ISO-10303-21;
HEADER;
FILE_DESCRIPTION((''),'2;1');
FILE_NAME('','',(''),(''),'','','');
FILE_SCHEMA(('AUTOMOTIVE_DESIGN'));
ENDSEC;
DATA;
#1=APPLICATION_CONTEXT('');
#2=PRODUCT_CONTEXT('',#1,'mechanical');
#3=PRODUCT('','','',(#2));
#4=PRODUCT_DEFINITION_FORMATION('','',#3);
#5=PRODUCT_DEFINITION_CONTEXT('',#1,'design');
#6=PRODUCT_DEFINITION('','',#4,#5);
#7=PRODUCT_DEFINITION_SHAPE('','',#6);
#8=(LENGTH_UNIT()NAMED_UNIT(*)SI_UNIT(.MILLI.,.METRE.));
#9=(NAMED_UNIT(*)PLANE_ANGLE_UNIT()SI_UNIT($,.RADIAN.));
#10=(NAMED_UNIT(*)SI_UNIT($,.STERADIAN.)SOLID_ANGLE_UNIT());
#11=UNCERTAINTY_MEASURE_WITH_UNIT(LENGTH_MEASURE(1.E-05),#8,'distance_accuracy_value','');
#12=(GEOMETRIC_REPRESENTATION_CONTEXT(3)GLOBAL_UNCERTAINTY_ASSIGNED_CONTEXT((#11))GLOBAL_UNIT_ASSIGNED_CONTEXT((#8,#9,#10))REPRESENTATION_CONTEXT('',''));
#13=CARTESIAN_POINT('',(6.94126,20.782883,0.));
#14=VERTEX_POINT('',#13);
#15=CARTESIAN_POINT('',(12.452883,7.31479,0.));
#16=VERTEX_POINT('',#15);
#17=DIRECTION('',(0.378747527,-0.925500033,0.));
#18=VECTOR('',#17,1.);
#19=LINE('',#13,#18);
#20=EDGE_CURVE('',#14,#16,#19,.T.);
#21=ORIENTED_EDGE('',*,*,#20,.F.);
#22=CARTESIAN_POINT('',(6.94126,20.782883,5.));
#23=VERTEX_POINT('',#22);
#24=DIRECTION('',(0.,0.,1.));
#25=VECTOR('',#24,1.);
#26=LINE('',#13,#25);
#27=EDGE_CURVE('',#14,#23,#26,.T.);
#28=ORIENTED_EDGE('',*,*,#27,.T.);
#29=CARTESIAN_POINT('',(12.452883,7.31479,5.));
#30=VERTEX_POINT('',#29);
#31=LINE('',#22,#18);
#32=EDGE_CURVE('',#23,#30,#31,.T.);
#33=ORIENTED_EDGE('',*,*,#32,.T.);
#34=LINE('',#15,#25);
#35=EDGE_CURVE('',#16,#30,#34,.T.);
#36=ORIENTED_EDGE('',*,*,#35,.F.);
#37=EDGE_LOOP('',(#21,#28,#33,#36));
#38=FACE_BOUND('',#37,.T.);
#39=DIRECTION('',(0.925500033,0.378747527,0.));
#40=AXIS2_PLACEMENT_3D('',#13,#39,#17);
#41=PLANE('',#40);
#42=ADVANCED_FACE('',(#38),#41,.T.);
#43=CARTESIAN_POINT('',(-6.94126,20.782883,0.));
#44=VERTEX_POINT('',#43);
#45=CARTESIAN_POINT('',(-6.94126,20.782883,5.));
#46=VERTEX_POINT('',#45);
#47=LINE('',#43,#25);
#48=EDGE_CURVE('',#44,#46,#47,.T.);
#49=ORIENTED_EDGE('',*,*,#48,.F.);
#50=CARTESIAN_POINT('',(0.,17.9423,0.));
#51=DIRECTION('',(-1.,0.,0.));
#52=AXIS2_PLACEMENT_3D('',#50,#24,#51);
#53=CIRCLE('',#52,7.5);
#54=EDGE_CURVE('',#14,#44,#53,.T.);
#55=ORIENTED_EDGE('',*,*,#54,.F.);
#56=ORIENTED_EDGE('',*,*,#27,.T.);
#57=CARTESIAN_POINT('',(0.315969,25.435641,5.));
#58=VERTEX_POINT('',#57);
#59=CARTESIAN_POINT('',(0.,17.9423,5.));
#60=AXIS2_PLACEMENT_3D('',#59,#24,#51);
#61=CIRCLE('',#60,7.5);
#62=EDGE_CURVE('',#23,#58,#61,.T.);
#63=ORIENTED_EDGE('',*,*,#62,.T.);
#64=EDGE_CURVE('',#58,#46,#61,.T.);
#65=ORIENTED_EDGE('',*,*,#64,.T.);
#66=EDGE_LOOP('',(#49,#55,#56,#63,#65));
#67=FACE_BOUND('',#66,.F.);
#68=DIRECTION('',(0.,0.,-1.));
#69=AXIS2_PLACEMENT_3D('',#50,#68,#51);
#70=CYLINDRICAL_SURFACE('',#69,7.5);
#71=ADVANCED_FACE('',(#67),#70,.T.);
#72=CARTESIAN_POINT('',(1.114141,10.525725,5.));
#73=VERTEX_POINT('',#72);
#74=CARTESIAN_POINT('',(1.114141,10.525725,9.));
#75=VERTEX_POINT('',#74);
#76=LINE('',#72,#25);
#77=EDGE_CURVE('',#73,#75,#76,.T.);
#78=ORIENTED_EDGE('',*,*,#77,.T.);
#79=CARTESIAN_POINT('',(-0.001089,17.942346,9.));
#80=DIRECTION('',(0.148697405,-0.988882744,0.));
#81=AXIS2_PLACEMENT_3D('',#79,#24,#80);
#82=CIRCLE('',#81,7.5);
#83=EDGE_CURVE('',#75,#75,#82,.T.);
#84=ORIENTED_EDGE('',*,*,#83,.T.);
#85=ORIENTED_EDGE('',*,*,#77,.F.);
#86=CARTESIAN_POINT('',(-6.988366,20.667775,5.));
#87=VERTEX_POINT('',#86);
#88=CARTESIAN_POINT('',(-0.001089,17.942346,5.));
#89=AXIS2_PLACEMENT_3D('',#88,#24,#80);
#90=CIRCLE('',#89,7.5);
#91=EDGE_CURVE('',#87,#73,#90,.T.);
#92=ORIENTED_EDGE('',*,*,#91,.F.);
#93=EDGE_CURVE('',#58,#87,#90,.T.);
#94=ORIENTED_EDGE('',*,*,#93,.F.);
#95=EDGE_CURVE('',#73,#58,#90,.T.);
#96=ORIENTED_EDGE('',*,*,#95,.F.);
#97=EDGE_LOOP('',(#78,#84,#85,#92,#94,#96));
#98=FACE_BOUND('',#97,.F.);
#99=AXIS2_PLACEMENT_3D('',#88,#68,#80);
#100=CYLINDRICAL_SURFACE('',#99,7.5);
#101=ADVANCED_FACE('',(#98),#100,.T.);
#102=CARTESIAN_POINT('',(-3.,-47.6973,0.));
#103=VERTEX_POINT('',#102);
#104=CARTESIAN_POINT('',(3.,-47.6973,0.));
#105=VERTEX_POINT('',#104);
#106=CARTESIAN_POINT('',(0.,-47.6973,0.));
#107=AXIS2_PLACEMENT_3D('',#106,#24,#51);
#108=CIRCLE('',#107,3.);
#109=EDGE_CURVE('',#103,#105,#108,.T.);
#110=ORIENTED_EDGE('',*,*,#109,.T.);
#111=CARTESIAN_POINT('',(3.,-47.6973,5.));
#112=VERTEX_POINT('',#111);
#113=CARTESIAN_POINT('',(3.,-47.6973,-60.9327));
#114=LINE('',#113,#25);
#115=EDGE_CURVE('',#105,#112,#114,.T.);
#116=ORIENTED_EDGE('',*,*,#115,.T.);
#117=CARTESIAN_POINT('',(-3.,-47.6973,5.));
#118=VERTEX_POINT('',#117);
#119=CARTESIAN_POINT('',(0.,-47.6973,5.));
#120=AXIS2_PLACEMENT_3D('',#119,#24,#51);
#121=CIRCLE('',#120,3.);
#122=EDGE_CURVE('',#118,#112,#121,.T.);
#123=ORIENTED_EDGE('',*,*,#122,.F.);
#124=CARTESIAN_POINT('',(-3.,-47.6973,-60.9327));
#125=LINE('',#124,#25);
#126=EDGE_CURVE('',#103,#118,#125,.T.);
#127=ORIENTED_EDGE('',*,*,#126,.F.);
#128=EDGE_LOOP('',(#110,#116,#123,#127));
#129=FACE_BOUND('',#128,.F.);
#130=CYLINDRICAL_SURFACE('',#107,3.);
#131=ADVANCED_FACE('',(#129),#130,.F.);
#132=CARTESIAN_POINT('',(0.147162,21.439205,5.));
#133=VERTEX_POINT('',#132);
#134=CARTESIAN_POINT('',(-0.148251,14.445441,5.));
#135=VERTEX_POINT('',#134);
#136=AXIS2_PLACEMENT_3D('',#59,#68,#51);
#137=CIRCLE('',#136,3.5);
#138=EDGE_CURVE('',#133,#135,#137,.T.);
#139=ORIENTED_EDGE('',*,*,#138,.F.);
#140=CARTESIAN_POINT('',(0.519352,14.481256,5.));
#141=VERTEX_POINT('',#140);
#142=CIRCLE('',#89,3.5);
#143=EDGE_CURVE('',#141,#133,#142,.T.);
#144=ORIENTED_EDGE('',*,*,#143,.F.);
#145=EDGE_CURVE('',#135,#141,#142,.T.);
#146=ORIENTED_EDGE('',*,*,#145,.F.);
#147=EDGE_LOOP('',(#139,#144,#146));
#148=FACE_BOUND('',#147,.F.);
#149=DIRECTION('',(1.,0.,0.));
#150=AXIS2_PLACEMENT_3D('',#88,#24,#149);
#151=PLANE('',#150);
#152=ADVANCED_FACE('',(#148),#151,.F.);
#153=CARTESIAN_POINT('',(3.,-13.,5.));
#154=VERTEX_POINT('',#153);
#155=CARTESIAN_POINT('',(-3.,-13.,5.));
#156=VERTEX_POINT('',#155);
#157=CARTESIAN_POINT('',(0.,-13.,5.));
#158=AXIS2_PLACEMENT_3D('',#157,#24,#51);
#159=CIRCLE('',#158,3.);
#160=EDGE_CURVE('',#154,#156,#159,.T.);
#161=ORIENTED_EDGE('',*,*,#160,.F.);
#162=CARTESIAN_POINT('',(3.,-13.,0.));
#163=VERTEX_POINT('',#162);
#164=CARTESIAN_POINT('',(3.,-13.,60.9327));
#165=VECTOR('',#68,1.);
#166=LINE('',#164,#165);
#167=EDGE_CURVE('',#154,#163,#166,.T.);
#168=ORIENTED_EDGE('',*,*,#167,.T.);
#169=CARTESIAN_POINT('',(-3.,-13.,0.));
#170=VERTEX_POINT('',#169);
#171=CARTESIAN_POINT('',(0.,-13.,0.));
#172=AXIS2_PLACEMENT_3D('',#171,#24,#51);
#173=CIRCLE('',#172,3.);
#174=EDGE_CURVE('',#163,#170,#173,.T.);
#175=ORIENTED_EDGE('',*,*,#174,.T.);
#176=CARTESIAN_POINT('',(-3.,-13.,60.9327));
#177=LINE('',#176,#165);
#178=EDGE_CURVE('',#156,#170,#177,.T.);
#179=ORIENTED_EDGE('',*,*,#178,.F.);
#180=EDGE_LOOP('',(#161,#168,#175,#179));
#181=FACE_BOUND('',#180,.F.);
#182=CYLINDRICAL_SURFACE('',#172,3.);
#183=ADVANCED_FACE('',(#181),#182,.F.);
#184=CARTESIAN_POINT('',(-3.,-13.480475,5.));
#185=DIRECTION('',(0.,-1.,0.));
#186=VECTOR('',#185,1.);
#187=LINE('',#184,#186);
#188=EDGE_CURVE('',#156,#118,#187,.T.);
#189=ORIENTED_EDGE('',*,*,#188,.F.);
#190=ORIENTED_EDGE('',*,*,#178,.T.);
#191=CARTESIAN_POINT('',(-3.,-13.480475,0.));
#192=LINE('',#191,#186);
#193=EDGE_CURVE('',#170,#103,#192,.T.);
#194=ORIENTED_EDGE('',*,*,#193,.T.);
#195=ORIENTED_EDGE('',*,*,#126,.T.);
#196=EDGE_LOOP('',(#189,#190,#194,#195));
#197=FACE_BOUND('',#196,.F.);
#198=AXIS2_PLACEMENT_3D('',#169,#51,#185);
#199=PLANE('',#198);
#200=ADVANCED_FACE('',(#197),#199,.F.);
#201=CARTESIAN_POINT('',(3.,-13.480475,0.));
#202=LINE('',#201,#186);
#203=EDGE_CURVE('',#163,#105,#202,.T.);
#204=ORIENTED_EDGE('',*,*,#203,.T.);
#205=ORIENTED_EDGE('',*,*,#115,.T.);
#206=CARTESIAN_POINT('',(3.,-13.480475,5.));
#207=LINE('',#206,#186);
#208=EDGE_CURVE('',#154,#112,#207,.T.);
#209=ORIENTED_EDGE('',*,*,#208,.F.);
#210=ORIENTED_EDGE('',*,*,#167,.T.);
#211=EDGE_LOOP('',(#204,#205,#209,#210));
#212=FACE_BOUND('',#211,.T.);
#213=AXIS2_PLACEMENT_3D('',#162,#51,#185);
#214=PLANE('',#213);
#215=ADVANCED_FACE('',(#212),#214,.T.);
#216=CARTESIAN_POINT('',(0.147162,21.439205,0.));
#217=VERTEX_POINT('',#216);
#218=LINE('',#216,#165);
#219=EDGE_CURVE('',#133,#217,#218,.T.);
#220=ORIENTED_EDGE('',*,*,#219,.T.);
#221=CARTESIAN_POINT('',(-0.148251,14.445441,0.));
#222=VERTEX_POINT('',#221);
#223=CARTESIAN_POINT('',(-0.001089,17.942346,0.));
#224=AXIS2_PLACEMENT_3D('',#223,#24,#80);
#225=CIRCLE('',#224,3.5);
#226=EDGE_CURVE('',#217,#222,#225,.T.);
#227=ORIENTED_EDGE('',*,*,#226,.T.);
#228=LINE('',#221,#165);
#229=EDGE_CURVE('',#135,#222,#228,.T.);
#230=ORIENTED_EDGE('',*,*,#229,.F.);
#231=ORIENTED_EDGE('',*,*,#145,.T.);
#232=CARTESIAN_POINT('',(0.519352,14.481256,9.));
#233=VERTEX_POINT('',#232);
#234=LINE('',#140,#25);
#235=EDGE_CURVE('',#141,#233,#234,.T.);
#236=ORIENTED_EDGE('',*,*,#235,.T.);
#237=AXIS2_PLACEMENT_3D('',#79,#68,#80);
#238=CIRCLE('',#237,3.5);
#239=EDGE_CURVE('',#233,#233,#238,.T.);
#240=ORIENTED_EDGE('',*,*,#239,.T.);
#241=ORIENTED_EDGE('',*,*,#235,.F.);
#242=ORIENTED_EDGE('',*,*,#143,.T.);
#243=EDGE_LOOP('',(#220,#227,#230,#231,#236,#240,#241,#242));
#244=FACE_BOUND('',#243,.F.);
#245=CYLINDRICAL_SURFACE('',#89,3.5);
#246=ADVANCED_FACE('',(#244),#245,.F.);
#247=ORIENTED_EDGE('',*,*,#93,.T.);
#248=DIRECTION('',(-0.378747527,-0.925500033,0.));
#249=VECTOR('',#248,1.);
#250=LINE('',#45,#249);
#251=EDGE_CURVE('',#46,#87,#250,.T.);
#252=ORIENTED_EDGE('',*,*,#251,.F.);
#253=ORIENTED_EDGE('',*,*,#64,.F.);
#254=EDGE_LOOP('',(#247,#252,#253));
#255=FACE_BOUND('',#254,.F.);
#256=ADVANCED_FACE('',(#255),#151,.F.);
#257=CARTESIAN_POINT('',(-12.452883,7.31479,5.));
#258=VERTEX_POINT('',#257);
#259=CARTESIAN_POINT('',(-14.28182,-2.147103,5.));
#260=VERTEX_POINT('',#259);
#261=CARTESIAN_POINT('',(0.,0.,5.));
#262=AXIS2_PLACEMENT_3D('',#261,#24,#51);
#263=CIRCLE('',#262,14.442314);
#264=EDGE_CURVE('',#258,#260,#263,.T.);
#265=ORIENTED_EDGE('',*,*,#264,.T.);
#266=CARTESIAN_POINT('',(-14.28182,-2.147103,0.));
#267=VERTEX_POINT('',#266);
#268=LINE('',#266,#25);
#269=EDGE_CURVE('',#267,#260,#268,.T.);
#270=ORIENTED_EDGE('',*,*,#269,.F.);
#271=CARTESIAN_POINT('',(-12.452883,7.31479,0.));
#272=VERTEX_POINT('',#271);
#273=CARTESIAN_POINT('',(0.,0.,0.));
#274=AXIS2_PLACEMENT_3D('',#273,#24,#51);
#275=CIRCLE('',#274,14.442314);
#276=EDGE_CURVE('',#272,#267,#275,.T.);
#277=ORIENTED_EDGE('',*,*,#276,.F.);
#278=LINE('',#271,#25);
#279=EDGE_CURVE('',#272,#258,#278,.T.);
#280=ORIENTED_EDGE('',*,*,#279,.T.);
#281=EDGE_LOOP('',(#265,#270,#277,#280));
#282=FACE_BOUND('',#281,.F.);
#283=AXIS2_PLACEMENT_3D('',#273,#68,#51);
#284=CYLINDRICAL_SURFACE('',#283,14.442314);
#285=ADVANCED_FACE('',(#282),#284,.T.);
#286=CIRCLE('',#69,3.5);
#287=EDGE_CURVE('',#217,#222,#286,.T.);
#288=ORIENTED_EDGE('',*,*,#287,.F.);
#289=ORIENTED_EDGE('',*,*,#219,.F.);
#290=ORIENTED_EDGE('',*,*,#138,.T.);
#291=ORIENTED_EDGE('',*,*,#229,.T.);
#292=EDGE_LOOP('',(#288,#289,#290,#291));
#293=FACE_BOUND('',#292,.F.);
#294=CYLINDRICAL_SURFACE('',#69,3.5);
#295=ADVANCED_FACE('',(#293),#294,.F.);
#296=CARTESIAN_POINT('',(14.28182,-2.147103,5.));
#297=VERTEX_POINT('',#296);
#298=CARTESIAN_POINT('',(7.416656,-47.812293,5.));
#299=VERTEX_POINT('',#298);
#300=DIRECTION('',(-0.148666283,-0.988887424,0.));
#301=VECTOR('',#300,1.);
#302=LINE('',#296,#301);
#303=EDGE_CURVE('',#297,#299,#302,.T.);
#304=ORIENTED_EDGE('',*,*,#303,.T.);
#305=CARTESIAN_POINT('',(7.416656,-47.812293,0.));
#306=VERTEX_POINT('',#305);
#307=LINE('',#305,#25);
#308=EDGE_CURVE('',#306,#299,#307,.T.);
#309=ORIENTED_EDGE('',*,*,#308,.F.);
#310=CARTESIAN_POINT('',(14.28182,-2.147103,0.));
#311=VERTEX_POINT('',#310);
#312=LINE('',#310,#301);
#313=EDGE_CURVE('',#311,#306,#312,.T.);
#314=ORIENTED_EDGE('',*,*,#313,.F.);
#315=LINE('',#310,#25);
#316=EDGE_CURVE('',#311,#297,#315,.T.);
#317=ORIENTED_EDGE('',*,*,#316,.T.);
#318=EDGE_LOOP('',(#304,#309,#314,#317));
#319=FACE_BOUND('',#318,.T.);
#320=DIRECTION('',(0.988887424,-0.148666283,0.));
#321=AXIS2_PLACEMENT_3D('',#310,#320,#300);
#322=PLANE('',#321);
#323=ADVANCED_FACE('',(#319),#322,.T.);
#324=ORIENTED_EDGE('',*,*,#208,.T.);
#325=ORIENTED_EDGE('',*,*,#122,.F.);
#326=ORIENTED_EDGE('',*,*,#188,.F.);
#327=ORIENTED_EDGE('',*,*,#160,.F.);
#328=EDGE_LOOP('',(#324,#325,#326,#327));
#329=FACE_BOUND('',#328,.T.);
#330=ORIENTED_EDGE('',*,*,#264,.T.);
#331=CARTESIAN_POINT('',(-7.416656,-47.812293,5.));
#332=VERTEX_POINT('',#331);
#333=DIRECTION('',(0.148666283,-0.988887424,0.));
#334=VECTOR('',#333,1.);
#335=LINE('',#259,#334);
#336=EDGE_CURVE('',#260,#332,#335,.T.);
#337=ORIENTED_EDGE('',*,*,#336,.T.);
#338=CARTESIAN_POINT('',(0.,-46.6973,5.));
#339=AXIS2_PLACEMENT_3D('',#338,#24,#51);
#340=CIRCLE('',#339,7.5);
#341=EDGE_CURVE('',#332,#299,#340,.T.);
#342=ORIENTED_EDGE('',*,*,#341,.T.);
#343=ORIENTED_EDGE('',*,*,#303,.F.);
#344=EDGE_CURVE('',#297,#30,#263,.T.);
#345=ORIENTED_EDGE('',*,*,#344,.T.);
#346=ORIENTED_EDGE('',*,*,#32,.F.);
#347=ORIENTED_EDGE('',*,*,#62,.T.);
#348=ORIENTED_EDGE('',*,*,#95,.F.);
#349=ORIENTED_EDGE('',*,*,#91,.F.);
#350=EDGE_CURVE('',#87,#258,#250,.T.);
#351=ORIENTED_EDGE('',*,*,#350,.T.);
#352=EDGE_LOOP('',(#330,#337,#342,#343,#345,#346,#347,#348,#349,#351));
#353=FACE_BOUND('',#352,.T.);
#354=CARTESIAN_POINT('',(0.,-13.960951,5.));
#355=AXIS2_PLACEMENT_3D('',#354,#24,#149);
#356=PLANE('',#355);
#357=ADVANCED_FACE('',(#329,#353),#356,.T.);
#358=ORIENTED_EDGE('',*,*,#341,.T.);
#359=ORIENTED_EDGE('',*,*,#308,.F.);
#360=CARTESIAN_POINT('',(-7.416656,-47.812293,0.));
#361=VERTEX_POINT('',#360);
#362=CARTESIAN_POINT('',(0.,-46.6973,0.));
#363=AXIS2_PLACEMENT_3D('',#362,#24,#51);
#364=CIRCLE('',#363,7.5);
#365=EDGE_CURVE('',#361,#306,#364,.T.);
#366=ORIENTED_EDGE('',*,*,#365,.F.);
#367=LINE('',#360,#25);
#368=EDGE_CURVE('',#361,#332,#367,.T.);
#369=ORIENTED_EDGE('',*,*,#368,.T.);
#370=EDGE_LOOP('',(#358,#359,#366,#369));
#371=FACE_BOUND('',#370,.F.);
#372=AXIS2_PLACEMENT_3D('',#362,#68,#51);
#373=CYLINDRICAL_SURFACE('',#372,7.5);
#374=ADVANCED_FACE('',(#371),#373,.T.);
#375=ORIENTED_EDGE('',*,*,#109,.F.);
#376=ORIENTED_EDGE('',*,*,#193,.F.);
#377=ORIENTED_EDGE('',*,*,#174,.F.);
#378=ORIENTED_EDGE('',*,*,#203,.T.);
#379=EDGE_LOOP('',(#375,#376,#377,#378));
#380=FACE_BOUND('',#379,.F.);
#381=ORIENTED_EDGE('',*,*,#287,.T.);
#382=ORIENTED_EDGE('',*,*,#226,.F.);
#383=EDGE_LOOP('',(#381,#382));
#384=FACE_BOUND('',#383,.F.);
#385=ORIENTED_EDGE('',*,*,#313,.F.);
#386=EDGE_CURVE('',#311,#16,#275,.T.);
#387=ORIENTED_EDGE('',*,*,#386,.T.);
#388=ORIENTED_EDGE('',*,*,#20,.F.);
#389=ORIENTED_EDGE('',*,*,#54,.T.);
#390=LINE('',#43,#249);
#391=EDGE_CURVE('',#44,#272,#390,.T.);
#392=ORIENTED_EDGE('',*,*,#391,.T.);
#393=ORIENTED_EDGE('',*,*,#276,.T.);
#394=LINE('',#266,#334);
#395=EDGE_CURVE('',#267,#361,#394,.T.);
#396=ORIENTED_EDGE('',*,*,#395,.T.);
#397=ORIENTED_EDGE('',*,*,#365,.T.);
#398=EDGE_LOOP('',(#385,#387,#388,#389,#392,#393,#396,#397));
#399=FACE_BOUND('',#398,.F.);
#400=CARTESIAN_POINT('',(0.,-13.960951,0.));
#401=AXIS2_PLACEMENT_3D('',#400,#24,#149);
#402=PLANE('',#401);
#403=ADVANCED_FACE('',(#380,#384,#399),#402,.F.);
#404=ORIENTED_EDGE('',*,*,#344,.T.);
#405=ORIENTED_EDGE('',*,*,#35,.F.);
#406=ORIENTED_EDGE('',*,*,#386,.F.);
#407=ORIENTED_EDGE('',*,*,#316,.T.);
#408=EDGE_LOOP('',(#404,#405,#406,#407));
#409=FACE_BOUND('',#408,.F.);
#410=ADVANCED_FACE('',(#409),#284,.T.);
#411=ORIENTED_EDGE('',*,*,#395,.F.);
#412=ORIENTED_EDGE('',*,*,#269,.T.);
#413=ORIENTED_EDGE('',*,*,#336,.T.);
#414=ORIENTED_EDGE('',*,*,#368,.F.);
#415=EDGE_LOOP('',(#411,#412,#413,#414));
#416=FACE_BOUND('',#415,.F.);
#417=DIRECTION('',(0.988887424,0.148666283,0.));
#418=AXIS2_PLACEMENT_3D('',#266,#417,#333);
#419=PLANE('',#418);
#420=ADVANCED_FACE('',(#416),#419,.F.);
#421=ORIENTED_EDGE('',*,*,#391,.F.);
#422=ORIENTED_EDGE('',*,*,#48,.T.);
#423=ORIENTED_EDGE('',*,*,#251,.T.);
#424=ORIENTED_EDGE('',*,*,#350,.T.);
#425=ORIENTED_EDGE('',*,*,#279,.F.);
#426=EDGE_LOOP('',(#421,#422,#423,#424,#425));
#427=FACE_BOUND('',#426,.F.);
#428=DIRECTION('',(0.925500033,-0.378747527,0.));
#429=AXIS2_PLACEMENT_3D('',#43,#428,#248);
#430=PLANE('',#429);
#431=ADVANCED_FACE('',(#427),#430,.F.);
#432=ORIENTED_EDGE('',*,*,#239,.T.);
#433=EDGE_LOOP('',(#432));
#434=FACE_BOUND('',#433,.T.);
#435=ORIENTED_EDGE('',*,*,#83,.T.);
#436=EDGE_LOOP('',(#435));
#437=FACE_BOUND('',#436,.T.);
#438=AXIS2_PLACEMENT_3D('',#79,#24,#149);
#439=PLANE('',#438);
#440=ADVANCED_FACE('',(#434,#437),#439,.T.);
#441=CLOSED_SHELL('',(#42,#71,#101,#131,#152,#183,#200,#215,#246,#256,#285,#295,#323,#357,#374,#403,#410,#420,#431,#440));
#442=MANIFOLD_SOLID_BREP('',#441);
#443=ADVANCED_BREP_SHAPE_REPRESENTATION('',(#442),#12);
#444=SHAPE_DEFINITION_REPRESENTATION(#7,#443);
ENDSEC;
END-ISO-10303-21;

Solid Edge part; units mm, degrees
sketch "Sketch1" plane through (0, 0, 0) normal (0, 0, -1) x (-1, 0, 0)
  line L0 (14.2818, -2.1471) -> (7.4167, -47.8123)
  line L1 (-14.2818, -2.1471) -> (-7.4167, -47.8123)
  arc A0 (-14.2818, -2.1471) -> (-12.4529, 7.3148) centre (0, 0) cw
  line L2 (-6.9413, 20.7829) -> (-12.4529, 7.3148)
  line L3 (6.9413, 20.7829) -> (12.4529, 7.3148)
  arc A1 (12.4529, 7.3148) -> (14.2818, -2.1471) centre (0, 0) cw
  arc A2 (7.4167, -47.8123) -> (-7.4167, -47.8123) centre (0, -46.6973) cw
  arc A3 (-6.9413, 20.7829) -> (6.9413, 20.7829) centre (0, 17.9423) cw
extrude "Protrusion1" add sketch "Sketch1" against normal blind 5
sketch "Sketch2" plane through (0, 0, 0) normal (0, 0, -1) x (-1, 0, 0)
  circle A0 centre (0, 17.9423) radius 3.5
  line L0 (3, -13) -> (3, -47.6973)
  line L1 (-3, -13) -> (-3, -47.6973)
  arc A1 (3, -47.6973) -> (-3, -47.6973) centre (0, -47.6973) cw
  arc A2 (-3, -13) -> (3, -13) centre (0, -13) cw
extrude "ExtrudedCutout_5" cut sketch "Sketch2" along normal mid plane 121.8654
sketch "Sketch3" plane through (0, -14.3775, 5) normal (0, 0, 1) x (0.1487, -0.9889, 0)
  circle A0 centre (-31.9607, 4.8048) radius 7.5
extrude "ExtrudedProtrusion_3" add sketch "Sketch3" along normal blind 4
sketch "Sketch4" plane through (0, -14.3775, 5) normal (0, 0, 1) x (0.1487, -0.9889, 0)
  circle A0 centre (-31.9607, 4.8048) radius 3.5
extrude "ExtrudedCutout_6" cut sketch "Sketch4" along normal mid plane 27.2708
